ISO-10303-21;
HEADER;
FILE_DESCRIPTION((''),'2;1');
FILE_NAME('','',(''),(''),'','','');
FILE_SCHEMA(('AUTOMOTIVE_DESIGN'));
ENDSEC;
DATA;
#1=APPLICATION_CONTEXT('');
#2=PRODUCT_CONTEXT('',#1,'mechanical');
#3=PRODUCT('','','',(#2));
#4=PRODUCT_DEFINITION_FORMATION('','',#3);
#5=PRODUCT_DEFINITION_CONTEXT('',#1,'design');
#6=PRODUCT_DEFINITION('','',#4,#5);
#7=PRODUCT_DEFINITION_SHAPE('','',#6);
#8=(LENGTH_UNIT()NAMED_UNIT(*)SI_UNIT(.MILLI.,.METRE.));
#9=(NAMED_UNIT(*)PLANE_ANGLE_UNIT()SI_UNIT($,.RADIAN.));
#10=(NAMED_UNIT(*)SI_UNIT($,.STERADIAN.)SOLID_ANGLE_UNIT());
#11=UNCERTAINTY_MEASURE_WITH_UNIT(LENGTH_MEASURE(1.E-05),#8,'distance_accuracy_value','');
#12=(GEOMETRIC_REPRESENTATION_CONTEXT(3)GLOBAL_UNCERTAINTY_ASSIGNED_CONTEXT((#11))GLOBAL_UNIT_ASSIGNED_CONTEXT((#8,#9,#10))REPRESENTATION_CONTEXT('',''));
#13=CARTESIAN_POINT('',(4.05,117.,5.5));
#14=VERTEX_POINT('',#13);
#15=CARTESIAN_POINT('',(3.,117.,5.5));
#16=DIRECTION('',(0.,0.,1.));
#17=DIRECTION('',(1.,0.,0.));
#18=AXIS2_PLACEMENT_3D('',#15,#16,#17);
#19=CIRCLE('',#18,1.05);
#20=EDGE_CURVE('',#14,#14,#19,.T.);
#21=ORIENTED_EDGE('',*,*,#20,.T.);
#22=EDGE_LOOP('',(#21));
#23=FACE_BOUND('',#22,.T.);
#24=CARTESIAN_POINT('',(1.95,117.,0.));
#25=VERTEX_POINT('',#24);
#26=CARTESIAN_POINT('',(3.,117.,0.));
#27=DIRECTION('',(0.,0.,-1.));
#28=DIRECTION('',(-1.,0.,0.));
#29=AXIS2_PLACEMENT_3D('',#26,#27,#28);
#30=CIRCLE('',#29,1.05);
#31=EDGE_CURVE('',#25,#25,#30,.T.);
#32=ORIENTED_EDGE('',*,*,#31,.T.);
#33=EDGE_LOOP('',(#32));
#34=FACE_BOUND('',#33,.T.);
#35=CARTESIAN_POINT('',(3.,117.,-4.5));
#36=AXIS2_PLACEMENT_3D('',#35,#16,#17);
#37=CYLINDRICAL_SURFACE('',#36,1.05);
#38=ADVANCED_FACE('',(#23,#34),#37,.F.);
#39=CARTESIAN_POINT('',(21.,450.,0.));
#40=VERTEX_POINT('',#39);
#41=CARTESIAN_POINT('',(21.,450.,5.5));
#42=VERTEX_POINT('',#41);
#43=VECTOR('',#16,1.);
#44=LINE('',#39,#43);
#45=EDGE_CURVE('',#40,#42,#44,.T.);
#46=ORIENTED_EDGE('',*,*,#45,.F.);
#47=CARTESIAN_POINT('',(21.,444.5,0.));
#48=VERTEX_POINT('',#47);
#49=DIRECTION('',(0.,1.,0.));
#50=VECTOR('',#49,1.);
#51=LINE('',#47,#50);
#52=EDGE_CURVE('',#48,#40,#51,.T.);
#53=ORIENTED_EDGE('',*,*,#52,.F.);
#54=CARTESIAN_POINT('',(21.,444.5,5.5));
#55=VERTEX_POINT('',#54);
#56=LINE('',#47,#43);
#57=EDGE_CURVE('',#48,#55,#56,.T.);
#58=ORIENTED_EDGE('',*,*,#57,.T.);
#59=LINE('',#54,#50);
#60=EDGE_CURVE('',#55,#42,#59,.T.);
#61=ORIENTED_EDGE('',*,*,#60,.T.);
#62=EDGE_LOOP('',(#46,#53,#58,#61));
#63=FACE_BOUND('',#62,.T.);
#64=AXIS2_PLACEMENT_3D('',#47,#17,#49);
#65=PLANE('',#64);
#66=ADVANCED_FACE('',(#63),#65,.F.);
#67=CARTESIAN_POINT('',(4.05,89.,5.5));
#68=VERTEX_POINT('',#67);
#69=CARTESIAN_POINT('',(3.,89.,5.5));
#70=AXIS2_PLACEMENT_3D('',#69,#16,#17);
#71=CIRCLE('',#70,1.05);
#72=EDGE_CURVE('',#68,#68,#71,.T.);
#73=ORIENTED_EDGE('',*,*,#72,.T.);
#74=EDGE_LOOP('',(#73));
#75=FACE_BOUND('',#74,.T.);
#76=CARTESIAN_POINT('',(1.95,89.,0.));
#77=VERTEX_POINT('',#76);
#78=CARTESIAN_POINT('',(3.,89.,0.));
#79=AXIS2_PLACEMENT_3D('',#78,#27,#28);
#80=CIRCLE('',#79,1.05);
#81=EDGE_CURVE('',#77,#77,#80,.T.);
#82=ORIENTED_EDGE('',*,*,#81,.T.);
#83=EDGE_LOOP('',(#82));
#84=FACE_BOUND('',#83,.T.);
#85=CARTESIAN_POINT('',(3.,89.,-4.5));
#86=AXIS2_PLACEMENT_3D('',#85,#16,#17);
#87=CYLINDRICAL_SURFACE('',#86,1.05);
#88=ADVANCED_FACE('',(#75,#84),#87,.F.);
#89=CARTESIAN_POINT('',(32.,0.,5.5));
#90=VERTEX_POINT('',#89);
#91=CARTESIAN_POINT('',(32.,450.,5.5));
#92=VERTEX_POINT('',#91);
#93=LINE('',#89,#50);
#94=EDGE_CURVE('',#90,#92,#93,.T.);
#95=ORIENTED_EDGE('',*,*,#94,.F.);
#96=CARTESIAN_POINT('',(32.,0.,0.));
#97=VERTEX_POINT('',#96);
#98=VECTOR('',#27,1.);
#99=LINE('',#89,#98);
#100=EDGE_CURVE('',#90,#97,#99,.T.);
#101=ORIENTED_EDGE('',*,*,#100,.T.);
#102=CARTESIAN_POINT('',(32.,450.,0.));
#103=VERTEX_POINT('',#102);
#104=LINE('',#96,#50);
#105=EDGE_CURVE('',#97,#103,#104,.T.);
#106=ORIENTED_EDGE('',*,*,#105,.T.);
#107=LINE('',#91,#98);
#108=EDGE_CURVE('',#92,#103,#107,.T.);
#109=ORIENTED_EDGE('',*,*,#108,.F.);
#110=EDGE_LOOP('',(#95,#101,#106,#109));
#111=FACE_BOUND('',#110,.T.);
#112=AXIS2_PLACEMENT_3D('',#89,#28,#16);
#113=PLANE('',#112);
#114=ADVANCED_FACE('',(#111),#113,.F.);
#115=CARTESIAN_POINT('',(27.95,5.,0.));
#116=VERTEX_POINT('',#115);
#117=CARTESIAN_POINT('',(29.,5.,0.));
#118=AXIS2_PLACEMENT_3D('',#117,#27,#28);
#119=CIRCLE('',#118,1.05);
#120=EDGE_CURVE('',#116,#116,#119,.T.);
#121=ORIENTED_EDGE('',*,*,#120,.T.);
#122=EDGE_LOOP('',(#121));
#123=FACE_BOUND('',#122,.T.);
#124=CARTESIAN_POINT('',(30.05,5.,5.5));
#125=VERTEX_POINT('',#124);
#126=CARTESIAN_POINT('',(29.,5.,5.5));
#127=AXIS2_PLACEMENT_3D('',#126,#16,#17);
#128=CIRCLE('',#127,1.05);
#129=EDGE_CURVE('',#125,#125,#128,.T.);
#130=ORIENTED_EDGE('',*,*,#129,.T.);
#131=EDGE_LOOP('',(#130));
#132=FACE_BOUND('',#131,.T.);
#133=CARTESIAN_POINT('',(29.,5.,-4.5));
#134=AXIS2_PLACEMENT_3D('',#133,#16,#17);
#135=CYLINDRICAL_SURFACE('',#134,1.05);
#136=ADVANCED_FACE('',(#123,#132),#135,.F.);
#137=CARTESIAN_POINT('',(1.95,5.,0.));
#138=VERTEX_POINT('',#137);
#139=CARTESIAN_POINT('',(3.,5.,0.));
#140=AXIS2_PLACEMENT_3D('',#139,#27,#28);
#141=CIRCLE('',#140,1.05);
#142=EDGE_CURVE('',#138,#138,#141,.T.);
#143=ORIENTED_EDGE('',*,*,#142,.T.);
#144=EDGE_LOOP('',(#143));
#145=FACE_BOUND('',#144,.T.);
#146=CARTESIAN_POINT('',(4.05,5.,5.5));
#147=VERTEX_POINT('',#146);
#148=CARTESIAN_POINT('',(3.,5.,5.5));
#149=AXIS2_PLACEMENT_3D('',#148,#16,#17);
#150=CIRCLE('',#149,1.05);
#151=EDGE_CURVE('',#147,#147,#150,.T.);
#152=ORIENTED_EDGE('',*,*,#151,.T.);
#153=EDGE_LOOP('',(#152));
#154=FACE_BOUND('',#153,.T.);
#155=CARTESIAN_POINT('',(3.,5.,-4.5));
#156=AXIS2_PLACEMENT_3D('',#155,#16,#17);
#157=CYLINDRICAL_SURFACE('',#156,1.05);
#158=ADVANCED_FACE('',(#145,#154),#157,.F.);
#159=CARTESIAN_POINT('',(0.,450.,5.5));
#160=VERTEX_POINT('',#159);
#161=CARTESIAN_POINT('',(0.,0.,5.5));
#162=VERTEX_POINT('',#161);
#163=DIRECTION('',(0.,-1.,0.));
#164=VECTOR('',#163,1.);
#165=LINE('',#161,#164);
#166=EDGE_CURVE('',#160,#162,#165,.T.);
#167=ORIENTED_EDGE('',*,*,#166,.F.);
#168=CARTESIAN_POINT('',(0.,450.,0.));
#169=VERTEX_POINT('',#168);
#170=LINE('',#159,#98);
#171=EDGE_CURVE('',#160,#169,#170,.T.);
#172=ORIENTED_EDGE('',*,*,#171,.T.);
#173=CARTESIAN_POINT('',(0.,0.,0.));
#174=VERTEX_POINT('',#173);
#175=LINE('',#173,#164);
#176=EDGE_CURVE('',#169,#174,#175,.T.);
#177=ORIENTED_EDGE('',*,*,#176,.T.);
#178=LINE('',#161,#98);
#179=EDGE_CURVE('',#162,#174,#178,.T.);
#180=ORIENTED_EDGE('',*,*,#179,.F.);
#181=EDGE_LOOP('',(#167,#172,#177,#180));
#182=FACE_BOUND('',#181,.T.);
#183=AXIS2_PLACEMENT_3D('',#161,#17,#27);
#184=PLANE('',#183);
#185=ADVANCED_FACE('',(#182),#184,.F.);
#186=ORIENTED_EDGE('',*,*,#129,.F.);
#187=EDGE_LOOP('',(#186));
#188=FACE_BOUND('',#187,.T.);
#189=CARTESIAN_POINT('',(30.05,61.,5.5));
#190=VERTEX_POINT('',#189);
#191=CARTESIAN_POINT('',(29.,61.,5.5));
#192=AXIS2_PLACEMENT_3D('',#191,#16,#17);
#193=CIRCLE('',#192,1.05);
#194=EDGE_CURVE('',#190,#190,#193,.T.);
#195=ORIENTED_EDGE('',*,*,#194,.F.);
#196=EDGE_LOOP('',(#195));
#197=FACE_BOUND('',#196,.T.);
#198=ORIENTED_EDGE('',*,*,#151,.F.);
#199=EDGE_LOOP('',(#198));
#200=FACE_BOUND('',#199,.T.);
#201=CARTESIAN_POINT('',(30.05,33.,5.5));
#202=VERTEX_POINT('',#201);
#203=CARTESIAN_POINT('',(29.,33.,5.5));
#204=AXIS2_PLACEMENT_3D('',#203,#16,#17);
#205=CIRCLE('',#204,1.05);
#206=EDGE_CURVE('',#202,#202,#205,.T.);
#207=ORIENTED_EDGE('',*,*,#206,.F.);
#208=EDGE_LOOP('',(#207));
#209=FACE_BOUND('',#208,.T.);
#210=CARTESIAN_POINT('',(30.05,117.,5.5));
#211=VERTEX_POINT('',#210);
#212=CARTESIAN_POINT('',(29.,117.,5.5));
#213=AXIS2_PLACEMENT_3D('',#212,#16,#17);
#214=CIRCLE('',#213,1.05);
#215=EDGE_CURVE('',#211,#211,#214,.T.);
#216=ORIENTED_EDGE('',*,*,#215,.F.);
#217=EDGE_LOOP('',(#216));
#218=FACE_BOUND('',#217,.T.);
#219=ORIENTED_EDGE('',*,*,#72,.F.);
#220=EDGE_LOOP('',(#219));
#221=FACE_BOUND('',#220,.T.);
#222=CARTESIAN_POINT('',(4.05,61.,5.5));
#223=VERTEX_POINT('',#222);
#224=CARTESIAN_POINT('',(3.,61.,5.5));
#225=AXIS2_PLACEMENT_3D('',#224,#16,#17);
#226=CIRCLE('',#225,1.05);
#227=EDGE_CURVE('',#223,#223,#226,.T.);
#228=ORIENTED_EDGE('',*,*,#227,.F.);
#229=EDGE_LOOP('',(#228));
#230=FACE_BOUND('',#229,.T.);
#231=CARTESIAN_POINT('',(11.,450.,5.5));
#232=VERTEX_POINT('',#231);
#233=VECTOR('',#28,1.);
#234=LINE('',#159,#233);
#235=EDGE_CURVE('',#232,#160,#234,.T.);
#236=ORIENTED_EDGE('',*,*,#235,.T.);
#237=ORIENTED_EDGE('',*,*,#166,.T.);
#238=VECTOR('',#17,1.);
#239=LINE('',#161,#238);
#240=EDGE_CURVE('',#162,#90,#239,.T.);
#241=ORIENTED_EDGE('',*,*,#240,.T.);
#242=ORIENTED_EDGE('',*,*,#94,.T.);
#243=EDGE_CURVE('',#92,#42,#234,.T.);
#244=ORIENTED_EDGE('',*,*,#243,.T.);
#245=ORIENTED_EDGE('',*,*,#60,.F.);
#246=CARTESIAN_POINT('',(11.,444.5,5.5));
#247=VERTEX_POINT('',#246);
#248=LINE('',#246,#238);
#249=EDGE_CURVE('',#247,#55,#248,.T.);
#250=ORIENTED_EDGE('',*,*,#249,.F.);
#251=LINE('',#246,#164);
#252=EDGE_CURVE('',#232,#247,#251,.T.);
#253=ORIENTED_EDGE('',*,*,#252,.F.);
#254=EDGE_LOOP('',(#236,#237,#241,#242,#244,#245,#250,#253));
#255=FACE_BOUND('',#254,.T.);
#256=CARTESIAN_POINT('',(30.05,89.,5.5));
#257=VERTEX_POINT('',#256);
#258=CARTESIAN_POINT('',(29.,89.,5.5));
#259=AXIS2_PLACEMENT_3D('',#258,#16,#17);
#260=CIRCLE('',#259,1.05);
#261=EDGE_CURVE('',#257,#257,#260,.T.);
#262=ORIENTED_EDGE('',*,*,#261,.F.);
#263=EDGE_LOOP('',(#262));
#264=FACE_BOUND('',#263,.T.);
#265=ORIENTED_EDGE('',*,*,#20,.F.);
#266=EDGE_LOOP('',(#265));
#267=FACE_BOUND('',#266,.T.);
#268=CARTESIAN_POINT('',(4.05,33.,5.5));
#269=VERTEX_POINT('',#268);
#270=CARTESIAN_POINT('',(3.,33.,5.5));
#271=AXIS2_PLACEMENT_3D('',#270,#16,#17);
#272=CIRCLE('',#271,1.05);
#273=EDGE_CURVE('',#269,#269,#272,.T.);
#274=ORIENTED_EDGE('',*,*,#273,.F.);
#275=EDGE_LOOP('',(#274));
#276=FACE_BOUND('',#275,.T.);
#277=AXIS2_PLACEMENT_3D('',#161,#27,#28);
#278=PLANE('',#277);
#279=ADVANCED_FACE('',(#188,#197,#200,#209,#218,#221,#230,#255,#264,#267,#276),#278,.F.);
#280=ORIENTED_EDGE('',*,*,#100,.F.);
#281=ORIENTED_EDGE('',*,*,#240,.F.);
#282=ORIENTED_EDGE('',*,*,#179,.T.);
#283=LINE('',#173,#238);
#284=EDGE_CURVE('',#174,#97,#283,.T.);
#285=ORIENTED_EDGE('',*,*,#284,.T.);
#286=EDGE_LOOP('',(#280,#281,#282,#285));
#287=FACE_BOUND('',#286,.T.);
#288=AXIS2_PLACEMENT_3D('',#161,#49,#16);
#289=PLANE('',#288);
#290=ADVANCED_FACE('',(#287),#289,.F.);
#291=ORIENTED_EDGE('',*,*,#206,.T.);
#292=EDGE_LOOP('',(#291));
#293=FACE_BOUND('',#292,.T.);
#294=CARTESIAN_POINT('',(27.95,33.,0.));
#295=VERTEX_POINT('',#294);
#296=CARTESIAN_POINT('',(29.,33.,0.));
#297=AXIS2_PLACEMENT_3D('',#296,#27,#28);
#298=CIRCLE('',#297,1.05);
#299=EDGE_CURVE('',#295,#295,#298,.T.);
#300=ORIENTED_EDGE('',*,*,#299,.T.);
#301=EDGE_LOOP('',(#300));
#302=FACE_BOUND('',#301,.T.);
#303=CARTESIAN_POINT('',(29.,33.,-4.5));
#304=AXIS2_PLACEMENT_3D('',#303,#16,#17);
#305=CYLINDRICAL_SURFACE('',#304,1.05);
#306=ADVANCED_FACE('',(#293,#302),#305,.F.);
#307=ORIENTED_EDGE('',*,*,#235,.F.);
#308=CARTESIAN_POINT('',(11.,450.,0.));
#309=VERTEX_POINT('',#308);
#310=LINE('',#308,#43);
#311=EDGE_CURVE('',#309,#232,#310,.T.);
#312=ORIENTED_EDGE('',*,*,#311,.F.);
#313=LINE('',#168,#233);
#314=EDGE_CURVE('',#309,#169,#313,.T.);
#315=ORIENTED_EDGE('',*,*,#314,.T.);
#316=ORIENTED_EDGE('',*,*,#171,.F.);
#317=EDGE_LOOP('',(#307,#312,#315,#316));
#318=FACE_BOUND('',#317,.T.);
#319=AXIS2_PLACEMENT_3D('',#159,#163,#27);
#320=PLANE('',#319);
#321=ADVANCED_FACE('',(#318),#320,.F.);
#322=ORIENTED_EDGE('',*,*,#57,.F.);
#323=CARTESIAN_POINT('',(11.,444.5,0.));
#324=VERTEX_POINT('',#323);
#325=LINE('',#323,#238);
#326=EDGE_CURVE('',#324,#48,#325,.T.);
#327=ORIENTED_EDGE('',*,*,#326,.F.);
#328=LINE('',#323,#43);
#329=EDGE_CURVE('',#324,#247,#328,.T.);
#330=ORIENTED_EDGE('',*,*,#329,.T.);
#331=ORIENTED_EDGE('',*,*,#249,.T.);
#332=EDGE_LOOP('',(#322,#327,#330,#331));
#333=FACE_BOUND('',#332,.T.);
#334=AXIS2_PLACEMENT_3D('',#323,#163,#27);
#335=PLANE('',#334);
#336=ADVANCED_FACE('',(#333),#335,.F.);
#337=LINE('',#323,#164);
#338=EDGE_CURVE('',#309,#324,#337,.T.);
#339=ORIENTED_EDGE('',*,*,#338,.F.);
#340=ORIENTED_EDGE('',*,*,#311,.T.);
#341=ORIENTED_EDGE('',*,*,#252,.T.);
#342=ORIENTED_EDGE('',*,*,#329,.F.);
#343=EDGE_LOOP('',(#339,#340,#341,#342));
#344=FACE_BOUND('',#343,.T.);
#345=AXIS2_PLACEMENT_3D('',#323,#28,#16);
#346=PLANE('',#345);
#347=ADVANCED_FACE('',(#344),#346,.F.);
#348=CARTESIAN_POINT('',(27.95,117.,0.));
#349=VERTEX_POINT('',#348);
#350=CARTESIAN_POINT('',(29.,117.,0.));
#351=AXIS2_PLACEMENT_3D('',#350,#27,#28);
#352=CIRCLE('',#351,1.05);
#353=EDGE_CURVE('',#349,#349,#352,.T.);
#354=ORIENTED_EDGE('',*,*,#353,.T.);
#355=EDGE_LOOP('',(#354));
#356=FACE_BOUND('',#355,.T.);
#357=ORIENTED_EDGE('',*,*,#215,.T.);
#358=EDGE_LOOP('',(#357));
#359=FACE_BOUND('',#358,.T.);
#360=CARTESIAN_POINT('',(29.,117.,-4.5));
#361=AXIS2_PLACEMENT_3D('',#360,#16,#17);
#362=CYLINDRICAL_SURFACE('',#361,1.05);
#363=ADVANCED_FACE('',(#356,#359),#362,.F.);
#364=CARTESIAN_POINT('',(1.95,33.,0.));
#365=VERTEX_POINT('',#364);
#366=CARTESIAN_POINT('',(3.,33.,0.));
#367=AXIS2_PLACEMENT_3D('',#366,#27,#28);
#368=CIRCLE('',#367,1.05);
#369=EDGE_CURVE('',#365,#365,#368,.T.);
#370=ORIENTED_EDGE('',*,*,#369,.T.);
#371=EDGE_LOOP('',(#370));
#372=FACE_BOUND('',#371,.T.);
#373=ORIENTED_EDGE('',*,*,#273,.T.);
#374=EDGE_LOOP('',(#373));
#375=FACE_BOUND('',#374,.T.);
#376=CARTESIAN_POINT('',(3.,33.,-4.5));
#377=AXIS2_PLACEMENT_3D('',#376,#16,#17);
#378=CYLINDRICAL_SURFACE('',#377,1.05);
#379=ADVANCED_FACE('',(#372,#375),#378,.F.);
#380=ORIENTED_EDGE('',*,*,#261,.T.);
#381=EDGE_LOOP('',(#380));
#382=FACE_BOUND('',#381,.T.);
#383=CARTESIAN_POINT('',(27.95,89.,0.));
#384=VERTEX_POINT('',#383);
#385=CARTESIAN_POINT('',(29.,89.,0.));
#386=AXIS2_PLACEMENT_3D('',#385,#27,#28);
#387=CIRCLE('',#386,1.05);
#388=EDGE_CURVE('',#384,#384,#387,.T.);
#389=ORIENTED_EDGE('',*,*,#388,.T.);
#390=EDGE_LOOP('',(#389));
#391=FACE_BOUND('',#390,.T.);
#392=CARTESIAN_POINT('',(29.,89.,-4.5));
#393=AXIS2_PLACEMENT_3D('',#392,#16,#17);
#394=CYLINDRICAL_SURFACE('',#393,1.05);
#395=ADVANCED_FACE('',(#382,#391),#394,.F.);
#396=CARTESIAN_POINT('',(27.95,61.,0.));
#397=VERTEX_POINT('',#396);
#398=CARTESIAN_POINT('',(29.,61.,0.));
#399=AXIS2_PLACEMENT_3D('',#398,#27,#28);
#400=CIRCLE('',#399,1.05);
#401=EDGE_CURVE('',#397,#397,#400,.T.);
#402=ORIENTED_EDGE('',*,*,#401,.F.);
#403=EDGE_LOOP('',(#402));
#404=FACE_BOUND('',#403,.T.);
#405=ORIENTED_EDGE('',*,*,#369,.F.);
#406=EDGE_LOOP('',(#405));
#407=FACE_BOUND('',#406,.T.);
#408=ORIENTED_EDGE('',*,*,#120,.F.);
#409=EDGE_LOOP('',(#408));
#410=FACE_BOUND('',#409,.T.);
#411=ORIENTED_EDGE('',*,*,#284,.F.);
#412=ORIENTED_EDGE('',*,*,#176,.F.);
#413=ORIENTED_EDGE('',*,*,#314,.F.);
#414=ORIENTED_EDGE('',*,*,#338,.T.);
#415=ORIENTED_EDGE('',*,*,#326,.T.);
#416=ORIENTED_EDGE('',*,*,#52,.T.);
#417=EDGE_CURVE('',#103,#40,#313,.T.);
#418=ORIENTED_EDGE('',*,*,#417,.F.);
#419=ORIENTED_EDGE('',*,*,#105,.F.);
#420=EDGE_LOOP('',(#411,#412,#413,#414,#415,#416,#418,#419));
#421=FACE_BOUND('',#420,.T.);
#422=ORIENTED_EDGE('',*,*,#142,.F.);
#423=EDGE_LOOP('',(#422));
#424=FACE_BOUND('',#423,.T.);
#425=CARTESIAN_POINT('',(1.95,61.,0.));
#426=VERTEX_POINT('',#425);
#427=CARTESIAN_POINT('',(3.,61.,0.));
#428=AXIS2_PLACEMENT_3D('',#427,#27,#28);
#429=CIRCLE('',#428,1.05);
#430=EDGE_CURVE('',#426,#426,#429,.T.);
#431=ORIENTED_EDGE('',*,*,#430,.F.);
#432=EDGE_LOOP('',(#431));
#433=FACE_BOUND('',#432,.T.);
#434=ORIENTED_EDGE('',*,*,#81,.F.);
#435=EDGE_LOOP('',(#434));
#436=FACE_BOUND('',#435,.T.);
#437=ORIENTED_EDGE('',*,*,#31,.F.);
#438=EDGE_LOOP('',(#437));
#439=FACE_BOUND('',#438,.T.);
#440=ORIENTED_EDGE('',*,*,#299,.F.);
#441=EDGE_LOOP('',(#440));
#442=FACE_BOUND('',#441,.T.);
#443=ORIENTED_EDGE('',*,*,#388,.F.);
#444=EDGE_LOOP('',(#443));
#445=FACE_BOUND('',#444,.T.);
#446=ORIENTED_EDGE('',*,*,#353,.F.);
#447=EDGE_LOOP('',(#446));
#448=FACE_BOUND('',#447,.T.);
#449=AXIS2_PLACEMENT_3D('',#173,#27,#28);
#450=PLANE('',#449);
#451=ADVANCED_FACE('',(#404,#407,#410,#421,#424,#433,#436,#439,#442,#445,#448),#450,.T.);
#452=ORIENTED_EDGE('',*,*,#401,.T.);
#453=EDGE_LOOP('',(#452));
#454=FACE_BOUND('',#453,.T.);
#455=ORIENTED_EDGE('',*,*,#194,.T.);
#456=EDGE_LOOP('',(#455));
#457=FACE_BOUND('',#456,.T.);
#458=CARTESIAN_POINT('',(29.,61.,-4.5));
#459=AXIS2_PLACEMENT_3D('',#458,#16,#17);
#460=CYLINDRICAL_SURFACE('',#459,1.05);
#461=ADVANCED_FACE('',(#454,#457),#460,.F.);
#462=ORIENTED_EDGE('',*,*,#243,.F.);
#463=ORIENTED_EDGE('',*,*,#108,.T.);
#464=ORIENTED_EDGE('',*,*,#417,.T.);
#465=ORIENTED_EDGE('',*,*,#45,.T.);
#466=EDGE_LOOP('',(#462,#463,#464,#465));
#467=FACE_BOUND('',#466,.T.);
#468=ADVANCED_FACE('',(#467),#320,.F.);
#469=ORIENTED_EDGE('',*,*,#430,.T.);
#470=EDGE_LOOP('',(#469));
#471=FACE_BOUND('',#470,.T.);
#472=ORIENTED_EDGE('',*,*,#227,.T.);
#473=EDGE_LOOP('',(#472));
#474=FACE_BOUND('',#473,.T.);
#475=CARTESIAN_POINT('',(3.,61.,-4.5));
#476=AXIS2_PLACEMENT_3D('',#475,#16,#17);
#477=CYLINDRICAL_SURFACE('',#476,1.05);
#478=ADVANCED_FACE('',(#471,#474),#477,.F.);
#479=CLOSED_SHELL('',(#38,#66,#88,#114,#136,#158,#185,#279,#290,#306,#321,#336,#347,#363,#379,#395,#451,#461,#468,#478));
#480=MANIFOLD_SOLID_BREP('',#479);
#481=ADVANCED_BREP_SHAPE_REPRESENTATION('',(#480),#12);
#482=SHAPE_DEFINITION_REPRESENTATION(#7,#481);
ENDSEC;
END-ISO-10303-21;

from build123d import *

# Parameters (mm, degrees)
SKETCH_1_W          = 32
SKETCH_1_H          = 450
EXTRUDE_1_DEPTH     = 5.5
SKETCH_2_W          = 10
SKETCH_2_H          = 5.5
CUT_EXTRUDE_1_DEPTH = 5.5
SKETCH_3_R          = 1.05
CUT_EXTRUDE_2_DEPTH = 10


with BuildPart() as part:
    # ｽｹｯﾁ1 → ﾎﾞｽ - 押し出し1 (new body)
    with BuildSketch(Plane.XY):
        with Locations((16, 225)):
            Rectangle(SKETCH_1_W, SKETCH_1_H)
    extrude(amount=EXTRUDE_1_DEPTH)

    # ｽｹｯﾁ2 → ｶｯﾄ - 押し出し1 (cut)
    with BuildSketch(Plane.XY.offset(5.5)):
        with Locations((16, 447.25)):
            Rectangle(SKETCH_2_W, SKETCH_2_H)
    extrude(amount=-CUT_EXTRUDE_1_DEPTH, mode=Mode.SUBTRACT)

    # ｽｹｯﾁ3 → ｶｯﾄ - 押し出し2 (cut)
    with BuildSketch(Plane.XY.offset(5.5)):
        with Locations((3, 5)):
            Circle(SKETCH_3_R)
        with Locations((29, 5)):
            Circle(SKETCH_3_R)
        with Locations((3, 33)):
            Circle(SKETCH_3_R)
        with Locations((29, 33)):
            Circle(SKETCH_3_R)
        with Locations((3, 61)):
            Circle(SKETCH_3_R)
        with Locations((29, 61)):
            Circle(SKETCH_3_R)
        with Locations((3, 89)):
            Circle(SKETCH_3_R)
        with Locations((29, 89)):
            Circle(SKETCH_3_R)
        with Locations((3, 117)):
            Circle(SKETCH_3_R)
        with Locations((29, 117)):
            Circle(SKETCH_3_R)
    extrude(amount=-CUT_EXTRUDE_2_DEPTH, mode=Mode.SUBTRACT)


solid = part.part
